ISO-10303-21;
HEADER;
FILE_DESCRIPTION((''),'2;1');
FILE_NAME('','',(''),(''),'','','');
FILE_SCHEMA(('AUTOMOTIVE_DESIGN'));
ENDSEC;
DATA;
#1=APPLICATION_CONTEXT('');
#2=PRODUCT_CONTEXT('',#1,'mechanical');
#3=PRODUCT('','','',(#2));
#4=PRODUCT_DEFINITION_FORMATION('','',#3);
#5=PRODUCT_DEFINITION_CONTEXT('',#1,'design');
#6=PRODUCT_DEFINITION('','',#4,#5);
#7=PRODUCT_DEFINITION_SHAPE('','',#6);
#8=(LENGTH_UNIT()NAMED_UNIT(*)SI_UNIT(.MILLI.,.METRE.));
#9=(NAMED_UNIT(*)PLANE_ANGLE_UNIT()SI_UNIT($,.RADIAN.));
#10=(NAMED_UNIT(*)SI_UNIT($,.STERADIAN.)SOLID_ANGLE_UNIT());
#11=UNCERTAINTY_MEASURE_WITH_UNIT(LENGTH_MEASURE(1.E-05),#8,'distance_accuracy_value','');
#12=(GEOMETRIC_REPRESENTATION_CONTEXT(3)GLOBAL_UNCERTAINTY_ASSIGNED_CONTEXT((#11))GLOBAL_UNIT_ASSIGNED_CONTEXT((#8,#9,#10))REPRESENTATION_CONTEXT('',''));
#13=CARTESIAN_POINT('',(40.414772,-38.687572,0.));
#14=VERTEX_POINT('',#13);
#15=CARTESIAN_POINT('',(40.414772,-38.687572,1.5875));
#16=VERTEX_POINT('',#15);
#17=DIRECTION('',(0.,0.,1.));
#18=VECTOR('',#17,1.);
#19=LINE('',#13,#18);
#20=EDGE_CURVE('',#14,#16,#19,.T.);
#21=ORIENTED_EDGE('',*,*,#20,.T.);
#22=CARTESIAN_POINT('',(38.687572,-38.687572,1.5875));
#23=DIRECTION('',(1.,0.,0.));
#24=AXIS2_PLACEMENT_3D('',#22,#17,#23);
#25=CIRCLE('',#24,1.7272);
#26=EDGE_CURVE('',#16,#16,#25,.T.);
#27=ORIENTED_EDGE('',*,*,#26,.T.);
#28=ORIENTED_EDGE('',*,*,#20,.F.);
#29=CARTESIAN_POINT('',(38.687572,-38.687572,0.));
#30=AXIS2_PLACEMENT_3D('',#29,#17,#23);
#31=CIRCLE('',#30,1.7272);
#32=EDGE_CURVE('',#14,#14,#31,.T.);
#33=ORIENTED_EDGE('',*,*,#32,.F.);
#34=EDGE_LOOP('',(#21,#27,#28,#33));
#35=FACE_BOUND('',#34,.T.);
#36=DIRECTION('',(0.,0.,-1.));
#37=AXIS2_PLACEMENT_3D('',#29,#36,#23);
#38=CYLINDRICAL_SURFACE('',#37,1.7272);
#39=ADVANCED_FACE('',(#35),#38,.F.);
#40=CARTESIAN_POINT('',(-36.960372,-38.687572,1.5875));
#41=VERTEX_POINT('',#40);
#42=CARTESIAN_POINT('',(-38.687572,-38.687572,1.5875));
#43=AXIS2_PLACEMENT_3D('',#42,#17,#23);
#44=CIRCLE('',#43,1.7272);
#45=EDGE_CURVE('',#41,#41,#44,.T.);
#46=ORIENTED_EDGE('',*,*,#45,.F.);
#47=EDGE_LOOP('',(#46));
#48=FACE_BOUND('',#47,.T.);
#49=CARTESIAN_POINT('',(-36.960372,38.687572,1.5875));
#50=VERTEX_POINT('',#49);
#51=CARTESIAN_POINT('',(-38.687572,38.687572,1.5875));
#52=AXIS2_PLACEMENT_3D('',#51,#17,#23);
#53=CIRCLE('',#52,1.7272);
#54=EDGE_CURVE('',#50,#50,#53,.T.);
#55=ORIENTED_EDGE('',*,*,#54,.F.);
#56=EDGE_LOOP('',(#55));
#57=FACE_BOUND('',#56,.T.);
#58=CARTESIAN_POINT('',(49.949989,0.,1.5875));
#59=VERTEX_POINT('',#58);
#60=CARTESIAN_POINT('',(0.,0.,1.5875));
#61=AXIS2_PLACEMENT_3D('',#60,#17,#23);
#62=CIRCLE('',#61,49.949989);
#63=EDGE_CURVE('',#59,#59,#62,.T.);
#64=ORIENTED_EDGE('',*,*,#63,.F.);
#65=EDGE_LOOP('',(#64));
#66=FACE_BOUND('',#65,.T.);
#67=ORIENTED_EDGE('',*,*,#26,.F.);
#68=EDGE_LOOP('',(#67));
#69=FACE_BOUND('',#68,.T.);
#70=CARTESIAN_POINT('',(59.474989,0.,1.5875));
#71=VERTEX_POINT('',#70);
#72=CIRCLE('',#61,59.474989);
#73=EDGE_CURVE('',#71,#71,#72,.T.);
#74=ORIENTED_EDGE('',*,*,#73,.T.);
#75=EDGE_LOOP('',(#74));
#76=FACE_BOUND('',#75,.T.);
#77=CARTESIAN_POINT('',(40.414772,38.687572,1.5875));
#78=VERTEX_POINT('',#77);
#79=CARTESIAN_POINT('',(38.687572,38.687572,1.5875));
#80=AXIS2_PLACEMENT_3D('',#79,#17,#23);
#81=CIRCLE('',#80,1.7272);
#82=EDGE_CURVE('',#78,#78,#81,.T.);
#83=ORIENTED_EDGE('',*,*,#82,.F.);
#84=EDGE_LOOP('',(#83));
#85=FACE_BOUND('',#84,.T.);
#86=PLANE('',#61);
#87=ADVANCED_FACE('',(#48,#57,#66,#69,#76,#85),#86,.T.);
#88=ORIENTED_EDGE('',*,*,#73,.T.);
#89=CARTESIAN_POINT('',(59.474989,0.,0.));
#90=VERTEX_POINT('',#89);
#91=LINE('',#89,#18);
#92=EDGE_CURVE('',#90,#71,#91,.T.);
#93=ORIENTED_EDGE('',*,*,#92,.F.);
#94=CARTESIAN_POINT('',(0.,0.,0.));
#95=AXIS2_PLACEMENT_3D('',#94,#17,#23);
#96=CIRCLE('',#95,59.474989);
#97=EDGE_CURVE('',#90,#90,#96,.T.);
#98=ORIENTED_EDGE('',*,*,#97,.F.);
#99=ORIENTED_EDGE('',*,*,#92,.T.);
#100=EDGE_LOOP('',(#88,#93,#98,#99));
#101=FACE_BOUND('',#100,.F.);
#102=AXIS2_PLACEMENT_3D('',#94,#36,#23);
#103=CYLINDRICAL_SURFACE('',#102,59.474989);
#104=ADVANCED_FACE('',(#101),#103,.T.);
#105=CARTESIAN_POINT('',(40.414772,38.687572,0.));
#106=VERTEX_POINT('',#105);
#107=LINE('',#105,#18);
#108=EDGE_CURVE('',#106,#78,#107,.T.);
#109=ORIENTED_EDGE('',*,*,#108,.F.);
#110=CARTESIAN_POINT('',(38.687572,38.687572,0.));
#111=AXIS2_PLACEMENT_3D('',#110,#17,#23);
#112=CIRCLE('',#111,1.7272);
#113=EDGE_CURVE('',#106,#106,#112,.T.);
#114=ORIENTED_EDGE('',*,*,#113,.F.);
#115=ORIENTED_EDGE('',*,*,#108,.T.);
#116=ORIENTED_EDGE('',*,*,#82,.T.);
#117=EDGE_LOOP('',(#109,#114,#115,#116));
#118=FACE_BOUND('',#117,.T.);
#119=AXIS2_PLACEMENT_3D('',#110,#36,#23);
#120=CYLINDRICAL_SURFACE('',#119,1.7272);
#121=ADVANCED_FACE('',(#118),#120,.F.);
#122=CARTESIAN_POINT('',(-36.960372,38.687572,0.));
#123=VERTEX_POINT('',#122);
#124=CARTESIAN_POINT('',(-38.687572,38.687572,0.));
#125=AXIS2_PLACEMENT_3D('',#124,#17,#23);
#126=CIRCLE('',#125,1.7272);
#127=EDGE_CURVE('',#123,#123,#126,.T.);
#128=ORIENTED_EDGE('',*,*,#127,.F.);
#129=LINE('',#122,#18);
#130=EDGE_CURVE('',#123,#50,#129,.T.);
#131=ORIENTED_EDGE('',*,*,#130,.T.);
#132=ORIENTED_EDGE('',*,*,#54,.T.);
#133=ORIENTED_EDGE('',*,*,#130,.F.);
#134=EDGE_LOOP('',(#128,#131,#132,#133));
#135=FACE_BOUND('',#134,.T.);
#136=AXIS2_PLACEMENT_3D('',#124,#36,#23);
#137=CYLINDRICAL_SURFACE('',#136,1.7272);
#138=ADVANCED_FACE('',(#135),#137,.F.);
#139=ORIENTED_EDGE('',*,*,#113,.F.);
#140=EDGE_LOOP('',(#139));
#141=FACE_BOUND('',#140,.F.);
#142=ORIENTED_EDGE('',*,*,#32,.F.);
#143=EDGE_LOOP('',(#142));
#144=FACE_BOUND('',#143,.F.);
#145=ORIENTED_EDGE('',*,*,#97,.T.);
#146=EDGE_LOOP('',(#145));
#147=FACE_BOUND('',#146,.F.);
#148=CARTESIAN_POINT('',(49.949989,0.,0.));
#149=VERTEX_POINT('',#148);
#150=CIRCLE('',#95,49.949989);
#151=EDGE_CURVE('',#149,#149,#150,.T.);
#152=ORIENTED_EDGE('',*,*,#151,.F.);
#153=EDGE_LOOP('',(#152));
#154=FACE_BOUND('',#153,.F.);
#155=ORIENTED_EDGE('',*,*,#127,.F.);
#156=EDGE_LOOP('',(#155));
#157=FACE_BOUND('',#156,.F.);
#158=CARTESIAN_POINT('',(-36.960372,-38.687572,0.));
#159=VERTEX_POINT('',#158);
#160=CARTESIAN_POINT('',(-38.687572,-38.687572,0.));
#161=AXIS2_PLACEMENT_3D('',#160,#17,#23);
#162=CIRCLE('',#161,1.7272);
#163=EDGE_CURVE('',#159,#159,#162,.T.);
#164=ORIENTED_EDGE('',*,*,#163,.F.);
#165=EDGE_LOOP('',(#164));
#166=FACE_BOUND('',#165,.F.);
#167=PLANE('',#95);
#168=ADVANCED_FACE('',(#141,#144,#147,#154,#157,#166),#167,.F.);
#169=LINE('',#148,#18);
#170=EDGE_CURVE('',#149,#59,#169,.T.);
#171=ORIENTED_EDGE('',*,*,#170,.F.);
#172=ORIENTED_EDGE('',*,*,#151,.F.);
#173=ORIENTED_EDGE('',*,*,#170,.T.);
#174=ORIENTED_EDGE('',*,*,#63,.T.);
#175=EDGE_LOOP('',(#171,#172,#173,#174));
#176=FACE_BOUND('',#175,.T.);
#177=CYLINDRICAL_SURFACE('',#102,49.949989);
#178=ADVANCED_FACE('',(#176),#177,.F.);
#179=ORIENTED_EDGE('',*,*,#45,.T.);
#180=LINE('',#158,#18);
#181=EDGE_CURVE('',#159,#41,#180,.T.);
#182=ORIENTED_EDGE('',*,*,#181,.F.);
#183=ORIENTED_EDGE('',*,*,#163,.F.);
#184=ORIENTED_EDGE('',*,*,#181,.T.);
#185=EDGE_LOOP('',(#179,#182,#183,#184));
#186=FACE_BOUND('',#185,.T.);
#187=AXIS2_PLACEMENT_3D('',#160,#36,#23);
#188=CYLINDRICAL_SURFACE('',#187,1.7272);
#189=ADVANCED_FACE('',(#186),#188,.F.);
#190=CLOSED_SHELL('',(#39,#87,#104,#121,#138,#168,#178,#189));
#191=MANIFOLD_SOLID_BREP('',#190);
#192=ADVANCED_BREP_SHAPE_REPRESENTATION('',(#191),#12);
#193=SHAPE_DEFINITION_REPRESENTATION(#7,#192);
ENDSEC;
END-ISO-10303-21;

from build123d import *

# Parameters (mm, degrees)
F0_R     = 59.474989
F0_R_2   = 1.7272
F0_R_3   = 49.949989
F1_DEPTH = 1.5875


with BuildPart() as f1:
    # F0 (on Top) → F1 (new body)
    with BuildSketch(Plane.XY):
        Circle(F0_R)
        with Locations((-38.687572, -38.687572)):
            Circle(F0_R_2, mode=Mode.SUBTRACT)
        Circle(F0_R_3, mode=Mode.SUBTRACT)
        with Locations((38.687572, -38.687572)):
            Circle(F0_R_2, mode=Mode.SUBTRACT)
        with Locations((-38.687572, 38.687572)):
            Circle(F0_R_2, mode=Mode.SUBTRACT)
        with Locations((38.687572, 38.687572)):
            Circle(F0_R_2, mode=Mode.SUBTRACT)
    extrude(amount=F1_DEPTH)


solid = f1.part
